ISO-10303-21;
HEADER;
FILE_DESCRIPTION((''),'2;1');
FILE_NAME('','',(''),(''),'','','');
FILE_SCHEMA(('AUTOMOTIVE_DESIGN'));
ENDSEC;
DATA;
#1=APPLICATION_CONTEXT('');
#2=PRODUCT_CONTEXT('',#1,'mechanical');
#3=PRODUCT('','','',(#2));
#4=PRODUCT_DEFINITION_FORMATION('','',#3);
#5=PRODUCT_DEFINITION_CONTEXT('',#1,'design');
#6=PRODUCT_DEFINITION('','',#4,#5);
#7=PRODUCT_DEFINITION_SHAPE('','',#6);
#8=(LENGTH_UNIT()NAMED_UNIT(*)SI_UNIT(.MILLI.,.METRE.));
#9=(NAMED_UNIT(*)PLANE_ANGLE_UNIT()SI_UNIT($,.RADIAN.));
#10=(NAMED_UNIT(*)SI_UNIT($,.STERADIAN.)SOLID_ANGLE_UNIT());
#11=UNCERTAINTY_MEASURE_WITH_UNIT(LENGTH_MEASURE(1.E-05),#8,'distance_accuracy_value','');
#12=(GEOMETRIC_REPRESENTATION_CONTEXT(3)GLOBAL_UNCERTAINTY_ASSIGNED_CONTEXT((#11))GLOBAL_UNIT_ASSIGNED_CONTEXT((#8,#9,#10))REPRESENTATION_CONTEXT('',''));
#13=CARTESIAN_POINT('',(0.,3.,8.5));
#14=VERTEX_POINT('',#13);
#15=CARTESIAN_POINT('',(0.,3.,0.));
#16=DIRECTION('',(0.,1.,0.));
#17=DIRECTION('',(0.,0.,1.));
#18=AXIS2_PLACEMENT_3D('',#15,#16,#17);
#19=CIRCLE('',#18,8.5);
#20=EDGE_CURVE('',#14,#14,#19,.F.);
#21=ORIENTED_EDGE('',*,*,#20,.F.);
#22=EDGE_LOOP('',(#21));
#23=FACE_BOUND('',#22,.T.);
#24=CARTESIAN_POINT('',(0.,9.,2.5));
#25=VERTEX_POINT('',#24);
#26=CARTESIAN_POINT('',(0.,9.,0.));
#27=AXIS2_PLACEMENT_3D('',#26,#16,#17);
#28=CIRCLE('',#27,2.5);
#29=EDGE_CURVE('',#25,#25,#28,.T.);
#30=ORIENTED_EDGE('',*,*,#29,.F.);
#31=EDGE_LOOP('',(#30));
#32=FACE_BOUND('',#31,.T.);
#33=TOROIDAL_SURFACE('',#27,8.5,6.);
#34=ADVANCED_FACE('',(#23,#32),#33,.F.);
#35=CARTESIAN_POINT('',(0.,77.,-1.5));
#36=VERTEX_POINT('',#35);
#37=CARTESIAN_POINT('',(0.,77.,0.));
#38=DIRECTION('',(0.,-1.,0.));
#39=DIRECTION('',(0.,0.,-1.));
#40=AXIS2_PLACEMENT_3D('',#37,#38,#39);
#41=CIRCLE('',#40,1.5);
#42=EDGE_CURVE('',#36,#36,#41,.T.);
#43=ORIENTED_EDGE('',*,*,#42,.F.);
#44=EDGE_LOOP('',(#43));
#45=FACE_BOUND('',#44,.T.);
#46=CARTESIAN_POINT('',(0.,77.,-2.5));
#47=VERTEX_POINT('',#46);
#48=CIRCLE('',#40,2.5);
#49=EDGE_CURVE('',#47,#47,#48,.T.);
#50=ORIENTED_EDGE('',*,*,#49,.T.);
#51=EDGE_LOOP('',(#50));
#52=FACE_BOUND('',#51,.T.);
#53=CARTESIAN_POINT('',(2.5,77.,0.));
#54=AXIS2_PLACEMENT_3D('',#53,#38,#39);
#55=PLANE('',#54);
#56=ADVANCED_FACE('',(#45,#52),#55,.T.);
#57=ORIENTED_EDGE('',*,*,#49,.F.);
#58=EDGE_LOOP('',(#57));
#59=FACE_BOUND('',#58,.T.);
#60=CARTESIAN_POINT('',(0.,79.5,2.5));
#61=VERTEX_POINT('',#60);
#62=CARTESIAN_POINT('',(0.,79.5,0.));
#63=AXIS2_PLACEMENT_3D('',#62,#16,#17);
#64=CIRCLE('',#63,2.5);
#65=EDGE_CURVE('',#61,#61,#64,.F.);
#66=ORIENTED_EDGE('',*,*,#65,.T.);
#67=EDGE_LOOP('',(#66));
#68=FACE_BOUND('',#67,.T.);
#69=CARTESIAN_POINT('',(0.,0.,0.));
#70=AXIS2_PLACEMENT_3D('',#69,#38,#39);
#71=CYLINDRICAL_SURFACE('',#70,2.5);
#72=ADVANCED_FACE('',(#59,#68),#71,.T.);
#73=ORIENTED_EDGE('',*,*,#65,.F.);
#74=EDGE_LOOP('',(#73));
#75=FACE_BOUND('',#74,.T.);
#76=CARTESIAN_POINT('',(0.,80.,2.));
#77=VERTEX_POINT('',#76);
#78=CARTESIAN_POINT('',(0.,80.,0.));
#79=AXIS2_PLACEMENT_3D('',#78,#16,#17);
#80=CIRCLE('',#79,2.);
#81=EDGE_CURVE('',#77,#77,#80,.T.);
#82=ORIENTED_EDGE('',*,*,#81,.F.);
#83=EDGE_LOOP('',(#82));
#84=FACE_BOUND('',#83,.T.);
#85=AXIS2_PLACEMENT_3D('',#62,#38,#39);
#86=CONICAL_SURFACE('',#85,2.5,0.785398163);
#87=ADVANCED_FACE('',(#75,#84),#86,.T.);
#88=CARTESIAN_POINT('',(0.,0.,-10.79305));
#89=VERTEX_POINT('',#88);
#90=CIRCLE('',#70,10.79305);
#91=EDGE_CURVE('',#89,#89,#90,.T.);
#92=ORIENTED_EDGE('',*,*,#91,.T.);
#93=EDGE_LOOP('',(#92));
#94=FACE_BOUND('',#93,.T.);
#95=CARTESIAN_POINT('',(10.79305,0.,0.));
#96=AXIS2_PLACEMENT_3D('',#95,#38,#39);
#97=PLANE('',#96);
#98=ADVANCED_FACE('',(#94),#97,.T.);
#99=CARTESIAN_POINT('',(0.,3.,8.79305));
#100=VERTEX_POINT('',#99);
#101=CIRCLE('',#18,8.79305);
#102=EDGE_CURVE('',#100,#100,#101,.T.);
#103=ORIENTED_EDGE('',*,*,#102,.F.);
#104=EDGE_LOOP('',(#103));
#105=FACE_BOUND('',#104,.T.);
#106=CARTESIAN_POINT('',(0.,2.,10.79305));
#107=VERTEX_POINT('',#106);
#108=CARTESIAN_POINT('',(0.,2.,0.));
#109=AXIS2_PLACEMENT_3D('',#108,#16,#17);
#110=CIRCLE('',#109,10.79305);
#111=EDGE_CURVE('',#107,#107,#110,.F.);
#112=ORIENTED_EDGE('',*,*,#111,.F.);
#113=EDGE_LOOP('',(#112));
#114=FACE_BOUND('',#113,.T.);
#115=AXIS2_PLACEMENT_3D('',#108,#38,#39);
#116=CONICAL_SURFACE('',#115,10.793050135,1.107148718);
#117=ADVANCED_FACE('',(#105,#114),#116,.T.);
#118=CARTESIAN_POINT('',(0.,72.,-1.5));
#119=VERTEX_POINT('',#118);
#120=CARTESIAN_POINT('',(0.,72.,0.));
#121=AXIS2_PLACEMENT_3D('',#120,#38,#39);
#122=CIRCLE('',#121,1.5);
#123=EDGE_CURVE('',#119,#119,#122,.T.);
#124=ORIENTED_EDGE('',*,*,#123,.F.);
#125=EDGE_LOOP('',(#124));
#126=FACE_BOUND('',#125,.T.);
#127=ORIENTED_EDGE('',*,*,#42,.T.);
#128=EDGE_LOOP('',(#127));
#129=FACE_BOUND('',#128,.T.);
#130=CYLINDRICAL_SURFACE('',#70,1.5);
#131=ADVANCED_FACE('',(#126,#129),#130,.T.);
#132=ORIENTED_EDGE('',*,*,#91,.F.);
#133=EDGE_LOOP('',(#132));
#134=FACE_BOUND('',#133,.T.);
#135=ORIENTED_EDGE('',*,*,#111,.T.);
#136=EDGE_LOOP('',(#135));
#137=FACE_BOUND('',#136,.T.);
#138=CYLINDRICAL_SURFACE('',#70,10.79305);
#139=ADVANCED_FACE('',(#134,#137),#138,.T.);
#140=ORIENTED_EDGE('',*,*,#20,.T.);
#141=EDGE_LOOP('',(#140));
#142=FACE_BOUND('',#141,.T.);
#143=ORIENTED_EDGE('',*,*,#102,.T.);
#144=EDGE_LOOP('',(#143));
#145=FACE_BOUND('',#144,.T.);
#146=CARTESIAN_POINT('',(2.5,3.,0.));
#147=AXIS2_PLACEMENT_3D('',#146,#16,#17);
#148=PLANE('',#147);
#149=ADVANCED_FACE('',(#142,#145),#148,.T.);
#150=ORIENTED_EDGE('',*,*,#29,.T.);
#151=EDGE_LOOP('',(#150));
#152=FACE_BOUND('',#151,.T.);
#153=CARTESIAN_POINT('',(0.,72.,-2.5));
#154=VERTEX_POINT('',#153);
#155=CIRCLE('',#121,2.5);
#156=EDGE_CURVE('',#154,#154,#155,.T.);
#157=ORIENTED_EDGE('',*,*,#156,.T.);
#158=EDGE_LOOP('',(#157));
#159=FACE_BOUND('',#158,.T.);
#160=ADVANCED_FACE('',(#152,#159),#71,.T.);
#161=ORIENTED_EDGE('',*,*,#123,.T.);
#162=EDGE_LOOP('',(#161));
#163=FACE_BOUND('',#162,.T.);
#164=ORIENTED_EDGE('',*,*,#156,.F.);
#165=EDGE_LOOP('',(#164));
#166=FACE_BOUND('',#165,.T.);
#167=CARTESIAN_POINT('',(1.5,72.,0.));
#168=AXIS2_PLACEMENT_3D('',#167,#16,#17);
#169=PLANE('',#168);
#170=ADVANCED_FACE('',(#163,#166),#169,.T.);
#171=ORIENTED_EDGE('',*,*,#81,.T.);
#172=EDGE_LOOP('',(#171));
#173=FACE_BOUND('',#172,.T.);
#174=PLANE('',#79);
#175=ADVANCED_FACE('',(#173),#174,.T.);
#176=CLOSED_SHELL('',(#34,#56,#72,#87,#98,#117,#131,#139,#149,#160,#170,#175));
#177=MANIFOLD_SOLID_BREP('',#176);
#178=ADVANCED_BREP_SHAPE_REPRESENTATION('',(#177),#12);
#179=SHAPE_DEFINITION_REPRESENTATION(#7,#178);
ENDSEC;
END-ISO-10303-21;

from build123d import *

# Parameters (mm, degrees)
FILLET1_R      = 6
CHAMFER1_SIZE  = 0.5
CHAMFER2_SIZE  = 2
CHAMFER2_SIZE2 = 1


with BuildPart() as part:
    # Sketch1 → Revolve1 (revolve)
    with BuildSketch(Plane.XY, mode=Mode.PRIVATE) as revolve1_sk:
        Polygon((0, 0), (0, 80), (2.5, 80), (2.5, 77), (1.5, 77), (1.5, 72), (2.5, 72), (2.5, 3), (10.793050135, 3), (10.793050135, 0), align=None)
    revolve(revolve1_sk.sketch.rotate(Axis((0, 0, 0), (0, 1, 0)), 90), axis=Axis((0, 0, 0), (0, 1, 0)))

    # Fillet1
    fillet1_edges = [part.edges().sort_by_distance(p)[0] for p in [
        (0, 3, 2.5),
    ]]
    fillet(fillet1_edges, radius=FILLET1_R)

    # Chamfer1
    chamfer1_edges = [part.edges().sort_by_distance(p)[0] for p in [
        (0, 80, 2.5),
    ]]
    chamfer(chamfer1_edges, length=CHAMFER1_SIZE)

    # Chamfer2
    chamfer2_edges = [part.edges().sort_by_distance(p)[0] for p in [
        (0, 3, 10.793050135),
    ]]
    chamfer2_side = [part.faces().sort_by_distance(p)[0] for p in [
        (0, 3, 8.805273558),
    ]]
    chamfer(chamfer2_edges, length=CHAMFER2_SIZE, length2=CHAMFER2_SIZE2, reference=chamfer2_side[0])


solid = part.part
